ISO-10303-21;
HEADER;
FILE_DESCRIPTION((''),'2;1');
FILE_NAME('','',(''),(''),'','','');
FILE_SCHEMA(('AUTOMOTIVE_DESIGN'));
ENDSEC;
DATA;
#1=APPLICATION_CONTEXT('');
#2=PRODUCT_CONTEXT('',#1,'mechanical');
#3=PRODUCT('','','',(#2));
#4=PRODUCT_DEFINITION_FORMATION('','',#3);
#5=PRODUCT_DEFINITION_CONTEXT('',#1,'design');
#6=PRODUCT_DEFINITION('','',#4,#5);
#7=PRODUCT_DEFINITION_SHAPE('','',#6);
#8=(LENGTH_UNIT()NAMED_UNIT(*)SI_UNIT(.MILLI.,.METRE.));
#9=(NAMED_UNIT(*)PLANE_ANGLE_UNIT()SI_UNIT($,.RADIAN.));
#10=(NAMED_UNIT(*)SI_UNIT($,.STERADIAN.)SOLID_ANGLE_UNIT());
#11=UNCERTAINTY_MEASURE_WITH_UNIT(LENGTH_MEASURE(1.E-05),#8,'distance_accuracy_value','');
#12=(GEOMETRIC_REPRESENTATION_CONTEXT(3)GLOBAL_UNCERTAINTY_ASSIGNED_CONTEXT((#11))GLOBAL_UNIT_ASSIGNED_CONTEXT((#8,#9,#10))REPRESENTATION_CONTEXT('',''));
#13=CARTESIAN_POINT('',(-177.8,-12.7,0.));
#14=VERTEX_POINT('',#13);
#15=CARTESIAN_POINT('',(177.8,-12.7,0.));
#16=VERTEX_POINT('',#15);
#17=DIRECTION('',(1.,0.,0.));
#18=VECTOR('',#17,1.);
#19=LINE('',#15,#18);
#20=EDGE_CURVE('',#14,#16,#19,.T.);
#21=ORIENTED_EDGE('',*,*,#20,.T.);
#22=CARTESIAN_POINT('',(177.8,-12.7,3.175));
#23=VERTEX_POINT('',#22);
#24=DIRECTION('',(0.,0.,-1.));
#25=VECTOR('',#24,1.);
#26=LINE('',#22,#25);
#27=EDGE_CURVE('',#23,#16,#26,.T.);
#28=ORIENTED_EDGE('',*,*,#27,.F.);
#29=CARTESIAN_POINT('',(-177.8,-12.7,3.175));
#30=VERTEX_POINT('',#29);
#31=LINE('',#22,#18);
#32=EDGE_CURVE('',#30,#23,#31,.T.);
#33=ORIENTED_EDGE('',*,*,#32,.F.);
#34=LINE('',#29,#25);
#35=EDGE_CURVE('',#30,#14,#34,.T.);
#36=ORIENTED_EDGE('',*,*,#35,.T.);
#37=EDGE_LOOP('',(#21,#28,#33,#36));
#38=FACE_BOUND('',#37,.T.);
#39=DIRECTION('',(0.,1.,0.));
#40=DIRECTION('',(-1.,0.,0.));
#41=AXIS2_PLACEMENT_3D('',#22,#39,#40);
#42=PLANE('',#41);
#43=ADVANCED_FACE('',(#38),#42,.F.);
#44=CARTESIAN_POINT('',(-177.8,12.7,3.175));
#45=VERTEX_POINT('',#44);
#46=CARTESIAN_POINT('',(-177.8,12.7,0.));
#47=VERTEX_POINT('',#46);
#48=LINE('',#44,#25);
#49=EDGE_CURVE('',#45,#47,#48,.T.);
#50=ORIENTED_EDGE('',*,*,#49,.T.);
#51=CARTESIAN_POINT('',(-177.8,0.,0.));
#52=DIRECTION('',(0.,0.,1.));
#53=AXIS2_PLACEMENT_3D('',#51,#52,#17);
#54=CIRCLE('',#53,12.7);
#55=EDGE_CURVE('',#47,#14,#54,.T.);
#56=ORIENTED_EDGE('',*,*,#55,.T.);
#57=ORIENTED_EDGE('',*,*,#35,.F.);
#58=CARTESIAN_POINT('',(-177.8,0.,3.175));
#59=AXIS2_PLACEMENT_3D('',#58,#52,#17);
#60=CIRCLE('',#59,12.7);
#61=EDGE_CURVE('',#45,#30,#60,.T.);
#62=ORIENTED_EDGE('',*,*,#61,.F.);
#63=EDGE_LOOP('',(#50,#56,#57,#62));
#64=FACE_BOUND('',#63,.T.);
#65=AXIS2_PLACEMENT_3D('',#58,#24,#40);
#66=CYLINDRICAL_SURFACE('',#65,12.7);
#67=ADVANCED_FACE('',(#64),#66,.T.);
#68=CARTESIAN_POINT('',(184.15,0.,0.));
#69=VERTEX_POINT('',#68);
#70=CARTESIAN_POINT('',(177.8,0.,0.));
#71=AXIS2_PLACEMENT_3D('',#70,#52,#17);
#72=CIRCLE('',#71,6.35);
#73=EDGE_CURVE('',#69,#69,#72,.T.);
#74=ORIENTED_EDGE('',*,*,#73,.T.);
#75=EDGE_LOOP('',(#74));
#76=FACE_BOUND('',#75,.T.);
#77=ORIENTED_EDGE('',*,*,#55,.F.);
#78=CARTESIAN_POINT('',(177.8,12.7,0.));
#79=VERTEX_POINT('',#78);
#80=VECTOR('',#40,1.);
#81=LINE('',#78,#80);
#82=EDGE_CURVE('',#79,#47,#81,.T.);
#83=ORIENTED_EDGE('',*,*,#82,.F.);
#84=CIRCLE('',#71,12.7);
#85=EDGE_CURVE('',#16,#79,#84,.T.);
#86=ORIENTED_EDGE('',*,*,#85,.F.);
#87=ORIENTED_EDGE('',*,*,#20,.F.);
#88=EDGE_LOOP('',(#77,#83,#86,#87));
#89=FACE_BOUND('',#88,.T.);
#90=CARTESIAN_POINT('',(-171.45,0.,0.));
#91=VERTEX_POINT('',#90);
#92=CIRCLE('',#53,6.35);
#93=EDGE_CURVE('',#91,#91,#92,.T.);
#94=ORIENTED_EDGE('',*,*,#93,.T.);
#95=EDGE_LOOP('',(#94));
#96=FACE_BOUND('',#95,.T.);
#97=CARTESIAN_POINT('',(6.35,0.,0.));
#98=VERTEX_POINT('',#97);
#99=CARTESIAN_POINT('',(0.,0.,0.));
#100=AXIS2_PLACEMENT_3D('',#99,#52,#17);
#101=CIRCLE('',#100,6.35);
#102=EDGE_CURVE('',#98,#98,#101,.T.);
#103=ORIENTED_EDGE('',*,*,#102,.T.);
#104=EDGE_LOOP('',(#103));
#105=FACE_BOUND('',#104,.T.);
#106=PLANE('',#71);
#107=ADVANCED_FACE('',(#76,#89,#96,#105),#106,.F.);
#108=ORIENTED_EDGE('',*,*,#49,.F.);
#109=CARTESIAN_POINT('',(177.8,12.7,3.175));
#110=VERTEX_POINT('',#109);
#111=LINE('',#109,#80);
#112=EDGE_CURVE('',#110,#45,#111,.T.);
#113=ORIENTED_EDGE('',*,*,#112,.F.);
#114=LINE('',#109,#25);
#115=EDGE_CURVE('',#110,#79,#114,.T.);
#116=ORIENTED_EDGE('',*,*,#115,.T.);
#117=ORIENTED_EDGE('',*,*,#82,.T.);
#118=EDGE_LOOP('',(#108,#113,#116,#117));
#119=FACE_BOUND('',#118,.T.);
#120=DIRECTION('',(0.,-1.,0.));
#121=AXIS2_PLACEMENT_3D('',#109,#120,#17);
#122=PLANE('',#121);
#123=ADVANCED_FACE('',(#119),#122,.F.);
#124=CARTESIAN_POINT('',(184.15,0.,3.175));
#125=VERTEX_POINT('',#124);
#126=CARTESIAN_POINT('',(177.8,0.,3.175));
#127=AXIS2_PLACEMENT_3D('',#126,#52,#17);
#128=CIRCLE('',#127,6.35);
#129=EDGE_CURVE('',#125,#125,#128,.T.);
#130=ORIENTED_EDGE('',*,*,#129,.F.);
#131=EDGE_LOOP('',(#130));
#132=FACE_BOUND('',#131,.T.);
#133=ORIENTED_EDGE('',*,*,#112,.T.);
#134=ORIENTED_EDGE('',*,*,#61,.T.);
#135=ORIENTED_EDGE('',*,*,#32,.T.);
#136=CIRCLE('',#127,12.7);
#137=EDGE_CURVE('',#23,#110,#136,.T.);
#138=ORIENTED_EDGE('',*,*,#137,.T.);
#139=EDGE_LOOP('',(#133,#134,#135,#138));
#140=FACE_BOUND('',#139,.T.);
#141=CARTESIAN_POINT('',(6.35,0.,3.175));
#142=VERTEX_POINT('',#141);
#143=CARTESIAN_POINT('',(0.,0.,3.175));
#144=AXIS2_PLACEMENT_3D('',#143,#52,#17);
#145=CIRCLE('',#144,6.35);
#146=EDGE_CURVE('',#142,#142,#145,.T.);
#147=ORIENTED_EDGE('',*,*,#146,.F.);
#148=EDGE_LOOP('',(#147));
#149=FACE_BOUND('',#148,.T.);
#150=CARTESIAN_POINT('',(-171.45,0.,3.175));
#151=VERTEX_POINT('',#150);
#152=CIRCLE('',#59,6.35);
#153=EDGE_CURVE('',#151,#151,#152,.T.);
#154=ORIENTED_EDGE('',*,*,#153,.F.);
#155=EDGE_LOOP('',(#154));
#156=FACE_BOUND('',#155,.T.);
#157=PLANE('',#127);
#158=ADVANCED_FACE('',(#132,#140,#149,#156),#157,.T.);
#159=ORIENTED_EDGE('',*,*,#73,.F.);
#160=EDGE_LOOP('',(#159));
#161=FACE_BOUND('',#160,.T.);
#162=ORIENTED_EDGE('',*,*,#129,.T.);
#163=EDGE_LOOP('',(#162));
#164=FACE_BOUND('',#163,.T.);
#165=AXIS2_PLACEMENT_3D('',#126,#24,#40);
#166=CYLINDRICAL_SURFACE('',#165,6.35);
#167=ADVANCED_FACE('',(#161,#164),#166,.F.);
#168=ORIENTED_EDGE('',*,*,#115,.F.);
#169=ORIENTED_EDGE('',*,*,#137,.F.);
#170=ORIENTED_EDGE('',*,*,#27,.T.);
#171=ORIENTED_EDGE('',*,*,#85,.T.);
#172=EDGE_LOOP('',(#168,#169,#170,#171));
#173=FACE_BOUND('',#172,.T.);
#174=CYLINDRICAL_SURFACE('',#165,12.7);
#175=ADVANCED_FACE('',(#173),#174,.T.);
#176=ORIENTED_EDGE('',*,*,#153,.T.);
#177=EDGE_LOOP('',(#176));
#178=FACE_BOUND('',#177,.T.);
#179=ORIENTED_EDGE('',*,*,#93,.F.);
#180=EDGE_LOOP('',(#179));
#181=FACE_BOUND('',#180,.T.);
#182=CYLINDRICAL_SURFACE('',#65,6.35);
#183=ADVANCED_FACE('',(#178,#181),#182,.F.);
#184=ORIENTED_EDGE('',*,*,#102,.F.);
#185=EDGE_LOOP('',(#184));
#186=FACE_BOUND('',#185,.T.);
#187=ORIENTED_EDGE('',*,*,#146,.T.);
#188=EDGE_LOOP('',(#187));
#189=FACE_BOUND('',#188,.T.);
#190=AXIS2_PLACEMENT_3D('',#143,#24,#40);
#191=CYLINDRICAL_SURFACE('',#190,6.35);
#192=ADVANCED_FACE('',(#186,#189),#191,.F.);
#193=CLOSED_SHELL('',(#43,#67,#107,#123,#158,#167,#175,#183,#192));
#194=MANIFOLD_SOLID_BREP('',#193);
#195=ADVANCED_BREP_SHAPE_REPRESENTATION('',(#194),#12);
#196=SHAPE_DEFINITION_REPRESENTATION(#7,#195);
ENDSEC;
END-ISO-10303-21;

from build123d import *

# Parameters (mm, degrees)
SKETCH1_R           = 6.35
BOSS_EXTRUDE1_DEPTH = 3.175


with BuildPart() as part:
    # Sketch1 → Boss-Extrude1 (new body)
    with BuildSketch(Plane.XY):
        with BuildLine():
            Line((177.8, -12.7), (-177.8, -12.7))
            ThreePointArc((-177.8, -12.7), (-190.5, 0), (-177.8, 12.7))
            Line((-177.8, 12.7), (177.8, 12.7))
            ThreePointArc((177.8, 12.7), (190.5, 0), (177.8, -12.7))
        make_face()
        with Locations((-177.8, 0)):
            Circle(SKETCH1_R, mode=Mode.SUBTRACT)
        Circle(SKETCH1_R, mode=Mode.SUBTRACT)
        with Locations((177.8, 0)):
            Circle(SKETCH1_R, mode=Mode.SUBTRACT)
    extrude(amount=BOSS_EXTRUDE1_DEPTH)


solid = part.part
